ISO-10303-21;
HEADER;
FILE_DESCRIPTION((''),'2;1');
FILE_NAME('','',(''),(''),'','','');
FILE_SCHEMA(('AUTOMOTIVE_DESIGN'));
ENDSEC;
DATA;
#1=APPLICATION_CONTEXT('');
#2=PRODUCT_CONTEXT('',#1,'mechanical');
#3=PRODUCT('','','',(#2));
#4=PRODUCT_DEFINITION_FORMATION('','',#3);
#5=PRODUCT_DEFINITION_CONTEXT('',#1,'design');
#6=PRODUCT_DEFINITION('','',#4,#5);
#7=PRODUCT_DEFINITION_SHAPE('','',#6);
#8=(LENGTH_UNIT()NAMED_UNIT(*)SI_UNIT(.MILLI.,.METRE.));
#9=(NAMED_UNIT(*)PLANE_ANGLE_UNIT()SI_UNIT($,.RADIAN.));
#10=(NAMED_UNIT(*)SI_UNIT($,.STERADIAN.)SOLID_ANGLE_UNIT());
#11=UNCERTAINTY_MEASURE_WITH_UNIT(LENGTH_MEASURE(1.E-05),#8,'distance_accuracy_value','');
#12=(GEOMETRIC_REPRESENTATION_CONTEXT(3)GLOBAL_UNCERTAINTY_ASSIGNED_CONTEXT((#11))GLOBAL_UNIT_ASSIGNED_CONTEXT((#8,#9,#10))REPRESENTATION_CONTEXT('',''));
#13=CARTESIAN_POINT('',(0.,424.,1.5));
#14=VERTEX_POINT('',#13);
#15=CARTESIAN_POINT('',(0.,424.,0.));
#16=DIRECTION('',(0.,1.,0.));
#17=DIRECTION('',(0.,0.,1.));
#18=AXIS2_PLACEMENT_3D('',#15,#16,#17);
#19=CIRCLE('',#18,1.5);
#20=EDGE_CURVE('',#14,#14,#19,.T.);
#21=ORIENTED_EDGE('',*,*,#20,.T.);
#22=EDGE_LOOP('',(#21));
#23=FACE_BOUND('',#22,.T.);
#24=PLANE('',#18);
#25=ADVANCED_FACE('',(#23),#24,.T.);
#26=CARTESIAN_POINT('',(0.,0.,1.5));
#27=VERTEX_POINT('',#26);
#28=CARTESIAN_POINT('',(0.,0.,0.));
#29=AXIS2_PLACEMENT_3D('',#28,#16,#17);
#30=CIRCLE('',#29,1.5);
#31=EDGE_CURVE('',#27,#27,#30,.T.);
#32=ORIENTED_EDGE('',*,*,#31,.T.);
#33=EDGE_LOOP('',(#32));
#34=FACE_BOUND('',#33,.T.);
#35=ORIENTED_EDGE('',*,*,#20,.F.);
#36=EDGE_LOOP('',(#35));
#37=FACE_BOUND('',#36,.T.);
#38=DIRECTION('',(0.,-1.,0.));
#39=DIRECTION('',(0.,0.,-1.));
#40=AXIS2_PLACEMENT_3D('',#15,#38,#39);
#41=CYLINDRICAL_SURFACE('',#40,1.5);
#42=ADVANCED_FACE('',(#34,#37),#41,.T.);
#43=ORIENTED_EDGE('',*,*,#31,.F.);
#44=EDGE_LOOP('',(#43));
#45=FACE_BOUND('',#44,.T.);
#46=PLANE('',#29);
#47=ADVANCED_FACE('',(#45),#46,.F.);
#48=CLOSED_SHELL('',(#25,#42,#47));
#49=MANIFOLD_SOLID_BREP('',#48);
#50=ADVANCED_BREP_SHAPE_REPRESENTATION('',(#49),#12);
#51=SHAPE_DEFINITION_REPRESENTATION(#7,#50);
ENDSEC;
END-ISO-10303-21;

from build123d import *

# Parameters (mm, degrees)
SKETCH1_R           = 1.5
BOSS_EXTRUDE1_DEPTH = 424


with BuildPart() as part:
    # Sketch1 → Boss-Extrude1 (new body)
    with BuildSketch(Plane(origin=(0, 0, 0), x_dir=(1, 0, 0), z_dir=(0, 1, 0))):
        Circle(SKETCH1_R)
    extrude(amount=BOSS_EXTRUDE1_DEPTH)


solid = part.part
